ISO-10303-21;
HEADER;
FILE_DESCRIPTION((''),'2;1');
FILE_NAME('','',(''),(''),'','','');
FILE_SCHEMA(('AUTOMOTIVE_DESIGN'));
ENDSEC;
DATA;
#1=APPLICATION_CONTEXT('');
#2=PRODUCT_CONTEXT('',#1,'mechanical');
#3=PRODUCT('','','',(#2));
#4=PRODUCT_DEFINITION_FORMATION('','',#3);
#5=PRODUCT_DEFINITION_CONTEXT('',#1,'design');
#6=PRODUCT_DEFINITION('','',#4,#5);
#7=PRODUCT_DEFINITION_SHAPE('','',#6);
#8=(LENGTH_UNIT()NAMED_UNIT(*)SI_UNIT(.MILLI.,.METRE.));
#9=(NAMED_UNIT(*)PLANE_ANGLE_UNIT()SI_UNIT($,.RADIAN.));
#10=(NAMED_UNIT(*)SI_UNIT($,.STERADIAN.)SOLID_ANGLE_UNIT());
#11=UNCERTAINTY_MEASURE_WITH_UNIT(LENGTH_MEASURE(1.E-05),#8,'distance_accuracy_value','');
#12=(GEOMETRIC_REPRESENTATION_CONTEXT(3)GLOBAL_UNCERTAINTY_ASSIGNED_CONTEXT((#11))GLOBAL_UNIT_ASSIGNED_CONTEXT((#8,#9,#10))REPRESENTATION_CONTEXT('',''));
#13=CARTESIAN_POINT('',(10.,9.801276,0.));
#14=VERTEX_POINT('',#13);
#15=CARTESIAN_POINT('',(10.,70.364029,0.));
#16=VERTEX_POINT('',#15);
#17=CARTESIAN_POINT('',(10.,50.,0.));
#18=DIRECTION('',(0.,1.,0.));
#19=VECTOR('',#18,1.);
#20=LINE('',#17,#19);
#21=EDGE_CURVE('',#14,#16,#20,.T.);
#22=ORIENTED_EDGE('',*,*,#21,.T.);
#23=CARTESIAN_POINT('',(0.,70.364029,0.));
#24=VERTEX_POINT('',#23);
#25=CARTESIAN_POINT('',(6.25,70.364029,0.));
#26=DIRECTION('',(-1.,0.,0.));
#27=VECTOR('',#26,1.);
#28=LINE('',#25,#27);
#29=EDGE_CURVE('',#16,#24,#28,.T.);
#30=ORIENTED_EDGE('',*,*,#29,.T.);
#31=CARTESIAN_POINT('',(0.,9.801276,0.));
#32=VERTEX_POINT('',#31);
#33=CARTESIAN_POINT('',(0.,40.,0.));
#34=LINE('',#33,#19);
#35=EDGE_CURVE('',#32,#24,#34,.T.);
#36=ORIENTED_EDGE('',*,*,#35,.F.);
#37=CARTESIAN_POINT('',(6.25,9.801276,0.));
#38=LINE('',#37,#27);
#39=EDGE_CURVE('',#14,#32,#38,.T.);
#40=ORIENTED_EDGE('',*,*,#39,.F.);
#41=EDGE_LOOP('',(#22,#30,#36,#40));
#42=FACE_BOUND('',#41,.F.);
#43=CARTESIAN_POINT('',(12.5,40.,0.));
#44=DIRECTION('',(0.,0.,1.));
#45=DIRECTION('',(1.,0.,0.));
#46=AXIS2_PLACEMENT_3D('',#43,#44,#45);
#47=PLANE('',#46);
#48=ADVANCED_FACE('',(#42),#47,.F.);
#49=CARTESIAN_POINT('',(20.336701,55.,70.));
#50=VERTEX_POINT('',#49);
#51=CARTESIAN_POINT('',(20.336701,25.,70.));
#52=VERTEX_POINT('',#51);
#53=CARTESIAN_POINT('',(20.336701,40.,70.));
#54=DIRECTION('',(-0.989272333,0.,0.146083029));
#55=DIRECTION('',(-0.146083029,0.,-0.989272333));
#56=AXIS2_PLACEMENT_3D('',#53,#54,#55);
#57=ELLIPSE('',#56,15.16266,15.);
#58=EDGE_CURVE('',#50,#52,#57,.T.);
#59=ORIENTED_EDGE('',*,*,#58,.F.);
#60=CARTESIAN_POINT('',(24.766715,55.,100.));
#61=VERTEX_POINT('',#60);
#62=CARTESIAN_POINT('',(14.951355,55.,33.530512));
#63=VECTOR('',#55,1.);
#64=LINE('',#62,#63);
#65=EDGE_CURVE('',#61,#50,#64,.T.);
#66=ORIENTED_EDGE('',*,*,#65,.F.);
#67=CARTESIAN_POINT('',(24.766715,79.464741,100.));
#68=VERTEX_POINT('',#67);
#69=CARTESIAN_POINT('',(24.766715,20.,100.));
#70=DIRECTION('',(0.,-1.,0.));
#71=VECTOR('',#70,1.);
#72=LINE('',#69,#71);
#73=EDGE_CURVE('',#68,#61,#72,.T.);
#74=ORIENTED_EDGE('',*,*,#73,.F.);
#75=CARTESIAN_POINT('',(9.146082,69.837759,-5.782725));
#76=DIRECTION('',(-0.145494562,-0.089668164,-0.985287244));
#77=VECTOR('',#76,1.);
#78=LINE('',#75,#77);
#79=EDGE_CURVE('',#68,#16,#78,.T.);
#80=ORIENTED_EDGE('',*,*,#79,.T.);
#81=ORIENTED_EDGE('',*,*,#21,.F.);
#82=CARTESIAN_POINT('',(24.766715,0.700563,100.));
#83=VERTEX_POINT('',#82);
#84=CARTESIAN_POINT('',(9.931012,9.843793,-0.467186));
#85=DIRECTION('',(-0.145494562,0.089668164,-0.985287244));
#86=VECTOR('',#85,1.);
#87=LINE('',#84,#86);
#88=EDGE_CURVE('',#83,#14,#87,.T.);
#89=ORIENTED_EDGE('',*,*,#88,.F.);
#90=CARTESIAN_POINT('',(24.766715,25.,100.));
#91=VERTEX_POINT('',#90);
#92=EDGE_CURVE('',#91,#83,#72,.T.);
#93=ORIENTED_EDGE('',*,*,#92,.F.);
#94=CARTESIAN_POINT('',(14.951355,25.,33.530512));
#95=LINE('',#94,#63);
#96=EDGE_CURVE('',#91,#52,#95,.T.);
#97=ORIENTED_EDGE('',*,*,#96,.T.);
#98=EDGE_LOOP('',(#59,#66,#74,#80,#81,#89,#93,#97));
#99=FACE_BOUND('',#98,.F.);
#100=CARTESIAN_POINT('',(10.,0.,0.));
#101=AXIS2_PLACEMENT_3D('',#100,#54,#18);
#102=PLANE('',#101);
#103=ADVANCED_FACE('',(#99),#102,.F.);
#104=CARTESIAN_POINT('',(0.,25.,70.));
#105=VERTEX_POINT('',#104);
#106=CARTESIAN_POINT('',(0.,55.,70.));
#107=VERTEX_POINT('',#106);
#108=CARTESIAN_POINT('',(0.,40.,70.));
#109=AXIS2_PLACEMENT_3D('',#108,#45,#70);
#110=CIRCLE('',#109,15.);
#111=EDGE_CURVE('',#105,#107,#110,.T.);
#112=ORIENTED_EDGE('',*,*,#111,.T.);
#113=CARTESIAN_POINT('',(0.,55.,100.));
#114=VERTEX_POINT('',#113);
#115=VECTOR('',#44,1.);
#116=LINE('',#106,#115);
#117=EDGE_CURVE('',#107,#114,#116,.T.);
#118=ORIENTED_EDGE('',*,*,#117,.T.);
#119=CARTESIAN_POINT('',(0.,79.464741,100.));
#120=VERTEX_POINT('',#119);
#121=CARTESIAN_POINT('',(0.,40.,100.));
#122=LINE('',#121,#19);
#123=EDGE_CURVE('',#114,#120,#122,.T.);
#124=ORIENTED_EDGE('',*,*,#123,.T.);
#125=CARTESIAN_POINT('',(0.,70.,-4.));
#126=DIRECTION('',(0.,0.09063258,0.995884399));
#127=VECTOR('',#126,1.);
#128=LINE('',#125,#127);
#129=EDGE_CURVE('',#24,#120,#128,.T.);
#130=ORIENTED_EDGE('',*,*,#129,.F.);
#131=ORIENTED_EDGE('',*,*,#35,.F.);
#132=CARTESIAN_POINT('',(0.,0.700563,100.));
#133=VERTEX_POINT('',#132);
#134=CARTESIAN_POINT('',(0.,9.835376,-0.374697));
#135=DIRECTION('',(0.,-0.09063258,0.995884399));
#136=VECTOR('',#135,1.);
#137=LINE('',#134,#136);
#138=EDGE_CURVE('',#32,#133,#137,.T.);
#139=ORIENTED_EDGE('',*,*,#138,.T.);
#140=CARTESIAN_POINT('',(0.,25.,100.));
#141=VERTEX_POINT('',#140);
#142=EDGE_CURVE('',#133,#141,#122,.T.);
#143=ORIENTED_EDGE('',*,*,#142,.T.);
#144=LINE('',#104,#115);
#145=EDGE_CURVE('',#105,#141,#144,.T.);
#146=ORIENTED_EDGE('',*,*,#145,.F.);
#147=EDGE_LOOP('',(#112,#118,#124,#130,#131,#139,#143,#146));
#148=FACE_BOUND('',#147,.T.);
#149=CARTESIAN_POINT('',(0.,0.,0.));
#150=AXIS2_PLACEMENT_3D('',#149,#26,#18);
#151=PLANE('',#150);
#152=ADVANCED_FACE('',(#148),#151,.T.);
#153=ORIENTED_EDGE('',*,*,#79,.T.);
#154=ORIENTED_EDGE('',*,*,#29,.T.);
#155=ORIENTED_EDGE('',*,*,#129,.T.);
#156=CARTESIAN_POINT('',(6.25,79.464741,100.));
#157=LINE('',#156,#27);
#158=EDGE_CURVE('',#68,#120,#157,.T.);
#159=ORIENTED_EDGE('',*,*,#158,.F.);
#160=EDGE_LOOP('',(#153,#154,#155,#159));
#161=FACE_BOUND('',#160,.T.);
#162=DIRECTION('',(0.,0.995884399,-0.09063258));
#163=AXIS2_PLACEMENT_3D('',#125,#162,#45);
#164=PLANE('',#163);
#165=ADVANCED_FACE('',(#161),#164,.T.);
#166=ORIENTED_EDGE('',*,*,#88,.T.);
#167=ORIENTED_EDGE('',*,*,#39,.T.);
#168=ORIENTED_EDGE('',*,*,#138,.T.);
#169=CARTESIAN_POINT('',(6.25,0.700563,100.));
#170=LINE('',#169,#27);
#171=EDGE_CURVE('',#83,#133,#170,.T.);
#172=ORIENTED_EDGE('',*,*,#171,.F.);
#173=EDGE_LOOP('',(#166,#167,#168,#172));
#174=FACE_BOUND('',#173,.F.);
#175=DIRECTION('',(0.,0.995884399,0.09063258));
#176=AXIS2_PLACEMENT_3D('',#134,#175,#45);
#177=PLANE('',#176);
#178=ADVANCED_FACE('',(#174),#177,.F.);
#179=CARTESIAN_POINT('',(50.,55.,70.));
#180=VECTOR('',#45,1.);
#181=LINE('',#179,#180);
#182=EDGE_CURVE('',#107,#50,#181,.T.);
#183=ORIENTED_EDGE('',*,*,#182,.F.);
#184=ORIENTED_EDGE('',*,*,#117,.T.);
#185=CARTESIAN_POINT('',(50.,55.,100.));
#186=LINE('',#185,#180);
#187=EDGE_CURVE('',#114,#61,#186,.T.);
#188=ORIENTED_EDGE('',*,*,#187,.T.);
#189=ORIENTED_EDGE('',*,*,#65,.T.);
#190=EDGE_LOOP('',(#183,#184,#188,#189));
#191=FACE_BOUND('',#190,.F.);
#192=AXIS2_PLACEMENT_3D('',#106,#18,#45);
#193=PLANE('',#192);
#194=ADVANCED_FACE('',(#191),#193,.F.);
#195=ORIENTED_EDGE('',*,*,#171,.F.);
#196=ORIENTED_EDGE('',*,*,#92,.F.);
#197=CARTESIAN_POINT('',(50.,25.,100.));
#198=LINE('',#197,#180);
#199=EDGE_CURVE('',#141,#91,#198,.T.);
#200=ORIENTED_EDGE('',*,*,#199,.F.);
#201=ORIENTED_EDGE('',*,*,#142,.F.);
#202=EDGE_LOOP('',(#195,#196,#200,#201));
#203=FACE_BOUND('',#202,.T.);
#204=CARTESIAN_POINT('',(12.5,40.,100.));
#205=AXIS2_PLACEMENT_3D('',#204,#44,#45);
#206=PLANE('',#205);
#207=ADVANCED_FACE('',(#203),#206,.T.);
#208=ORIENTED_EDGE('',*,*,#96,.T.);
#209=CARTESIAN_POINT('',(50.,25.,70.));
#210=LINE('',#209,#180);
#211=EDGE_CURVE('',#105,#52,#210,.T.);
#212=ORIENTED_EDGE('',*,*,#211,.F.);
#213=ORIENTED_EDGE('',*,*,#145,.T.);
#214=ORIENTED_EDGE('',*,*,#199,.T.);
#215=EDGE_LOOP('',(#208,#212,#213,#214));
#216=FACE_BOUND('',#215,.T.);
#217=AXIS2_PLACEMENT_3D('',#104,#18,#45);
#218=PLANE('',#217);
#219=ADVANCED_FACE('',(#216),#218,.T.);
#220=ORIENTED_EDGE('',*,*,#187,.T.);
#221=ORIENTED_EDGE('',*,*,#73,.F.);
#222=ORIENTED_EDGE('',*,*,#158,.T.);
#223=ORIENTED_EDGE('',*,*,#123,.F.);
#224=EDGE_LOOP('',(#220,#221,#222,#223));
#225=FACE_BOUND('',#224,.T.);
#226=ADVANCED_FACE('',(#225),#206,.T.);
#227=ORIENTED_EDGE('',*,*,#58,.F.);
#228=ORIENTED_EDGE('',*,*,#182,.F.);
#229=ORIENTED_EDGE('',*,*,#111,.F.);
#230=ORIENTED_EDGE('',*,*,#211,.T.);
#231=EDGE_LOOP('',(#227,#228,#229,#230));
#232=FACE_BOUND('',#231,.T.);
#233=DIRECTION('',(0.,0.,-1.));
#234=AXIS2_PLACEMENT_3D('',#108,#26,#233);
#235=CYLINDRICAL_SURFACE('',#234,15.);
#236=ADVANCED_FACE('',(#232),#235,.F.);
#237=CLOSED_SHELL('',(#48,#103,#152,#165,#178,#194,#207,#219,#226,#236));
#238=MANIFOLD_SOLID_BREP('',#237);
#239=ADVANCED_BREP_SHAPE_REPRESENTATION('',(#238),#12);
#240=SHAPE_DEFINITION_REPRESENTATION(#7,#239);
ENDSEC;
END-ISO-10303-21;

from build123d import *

# Parameters (mm, degrees)
CYLINDER_R           = 15
CYLINDER_DEPTH       = 100
CYLINDER_PITCH_ANGLE = 90
BOX005_W             = 100
BOX005_H             = 30
BOX005_DEPTH         = 30
BOX004_W             = 40
BOX004_H             = 40
BOX004_DEPTH         = 120
BOX004_ROLL_ANGLE    = -5.2
BOX003_W             = 40
BOX003_H             = 40
BOX003_DEPTH         = 120
BOX003_ROLL_ANGLE    = 5.2
BOX001_W             = 19
BOX001_H             = 100
BOX001_DEPTH         = 110
BOX001_PITCH_ANGLE   = 8.4
BOX_W                = 25
BOX_H                = 80
BOX_DEPTH            = 100


with BuildPart() as cylinder:
    # Cylinder → Cylinder (new body)
    with BuildSketch(Plane.XY):
        Circle(CYLINDER_R)
    extrude(amount=CYLINDER_DEPTH)


with BuildPart() as cylinder_1:
    # Cylinder pitch: moved
    add(cylinder.part.rotate(Axis((0, 0, 0), (0, 1, 0)), CYLINDER_PITCH_ANGLE))


with BuildPart() as cylinder_2:
    # Cylinder placement: moved
    add(cylinder_1.part.moved(Location((0, 40, 70))))


with BuildPart() as fusion:
    # Box005 → Box005 (new body)
    with BuildSketch(Plane(origin=(0, 25, 70), x_dir=(1, 0, 0), z_dir=(0, 0, 1))):
        with Locations((50, 15)):
            Rectangle(BOX005_W, BOX005_H)
    extrude(amount=BOX005_DEPTH)

    # Fusion: union Cylinder
    add(cylinder_2.part)


with BuildPart() as cube002:
    # Box004 → Box004 (new body)
    with BuildSketch(Plane.XY):
        with Locations((20, 20)):
            Rectangle(BOX004_W, BOX004_H)
    extrude(amount=BOX004_DEPTH)


with BuildPart() as cube002_1:
    # Box004 roll: moved
    add(cube002.part.rotate(Axis((0, 0, 0), (1, 0, 0)), BOX004_ROLL_ANGLE))


with BuildPart() as cube002_2:
    # Box004 placement: moved
    add(cube002_1.part.moved(Location((0, 70, -4))))


with BuildPart() as cube003:
    # Box003 → Box003 (new body)
    with BuildSketch(Plane.XY):
        with Locations((20, 20)):
            Rectangle(BOX003_W, BOX003_H)
    extrude(amount=BOX003_DEPTH)


with BuildPart() as cube003_1:
    # Box003 roll: moved
    add(cube003.part.rotate(Axis((0, 0, 0), (1, 0, 0)), BOX003_ROLL_ANGLE))


with BuildPart() as cube003_2:
    # Box003 placement: moved
    add(cube003_1.part.moved(Location((0, -30, -4))))


with BuildPart() as cube001:
    # Box001 → Box001 (new body)
    with BuildSketch(Plane.XY):
        with Locations((9.5, 50)):
            Rectangle(BOX001_W, BOX001_H)
    extrude(amount=BOX001_DEPTH)


with BuildPart() as cube001_1:
    # Box001 pitch: moved
    add(cube001.part.rotate(Axis((0, 0, 0), (0, 1, 0)), BOX001_PITCH_ANGLE))


with BuildPart() as cube001_2:
    # Box001 placement: moved
    add(cube001_1.part.moved(Location((10, 0, 0))))


with BuildPart() as cut003:
    # Box → Box (new body)
    with BuildSketch(Plane.XY):
        with Locations((12.5, 40)):
            Rectangle(BOX_W, BOX_H)
    extrude(amount=BOX_DEPTH)

    # Cut: cut Cube001
    add(cube001_2.part, mode=Mode.SUBTRACT)

    # Cut001: cut Cube003
    add(cube003_2.part, mode=Mode.SUBTRACT)

    # Cut002: cut Cube002
    add(cube002_2.part, mode=Mode.SUBTRACT)

    # Cut003: cut Fusion
    add(fusion.part, mode=Mode.SUBTRACT)


solid = cut003.part
